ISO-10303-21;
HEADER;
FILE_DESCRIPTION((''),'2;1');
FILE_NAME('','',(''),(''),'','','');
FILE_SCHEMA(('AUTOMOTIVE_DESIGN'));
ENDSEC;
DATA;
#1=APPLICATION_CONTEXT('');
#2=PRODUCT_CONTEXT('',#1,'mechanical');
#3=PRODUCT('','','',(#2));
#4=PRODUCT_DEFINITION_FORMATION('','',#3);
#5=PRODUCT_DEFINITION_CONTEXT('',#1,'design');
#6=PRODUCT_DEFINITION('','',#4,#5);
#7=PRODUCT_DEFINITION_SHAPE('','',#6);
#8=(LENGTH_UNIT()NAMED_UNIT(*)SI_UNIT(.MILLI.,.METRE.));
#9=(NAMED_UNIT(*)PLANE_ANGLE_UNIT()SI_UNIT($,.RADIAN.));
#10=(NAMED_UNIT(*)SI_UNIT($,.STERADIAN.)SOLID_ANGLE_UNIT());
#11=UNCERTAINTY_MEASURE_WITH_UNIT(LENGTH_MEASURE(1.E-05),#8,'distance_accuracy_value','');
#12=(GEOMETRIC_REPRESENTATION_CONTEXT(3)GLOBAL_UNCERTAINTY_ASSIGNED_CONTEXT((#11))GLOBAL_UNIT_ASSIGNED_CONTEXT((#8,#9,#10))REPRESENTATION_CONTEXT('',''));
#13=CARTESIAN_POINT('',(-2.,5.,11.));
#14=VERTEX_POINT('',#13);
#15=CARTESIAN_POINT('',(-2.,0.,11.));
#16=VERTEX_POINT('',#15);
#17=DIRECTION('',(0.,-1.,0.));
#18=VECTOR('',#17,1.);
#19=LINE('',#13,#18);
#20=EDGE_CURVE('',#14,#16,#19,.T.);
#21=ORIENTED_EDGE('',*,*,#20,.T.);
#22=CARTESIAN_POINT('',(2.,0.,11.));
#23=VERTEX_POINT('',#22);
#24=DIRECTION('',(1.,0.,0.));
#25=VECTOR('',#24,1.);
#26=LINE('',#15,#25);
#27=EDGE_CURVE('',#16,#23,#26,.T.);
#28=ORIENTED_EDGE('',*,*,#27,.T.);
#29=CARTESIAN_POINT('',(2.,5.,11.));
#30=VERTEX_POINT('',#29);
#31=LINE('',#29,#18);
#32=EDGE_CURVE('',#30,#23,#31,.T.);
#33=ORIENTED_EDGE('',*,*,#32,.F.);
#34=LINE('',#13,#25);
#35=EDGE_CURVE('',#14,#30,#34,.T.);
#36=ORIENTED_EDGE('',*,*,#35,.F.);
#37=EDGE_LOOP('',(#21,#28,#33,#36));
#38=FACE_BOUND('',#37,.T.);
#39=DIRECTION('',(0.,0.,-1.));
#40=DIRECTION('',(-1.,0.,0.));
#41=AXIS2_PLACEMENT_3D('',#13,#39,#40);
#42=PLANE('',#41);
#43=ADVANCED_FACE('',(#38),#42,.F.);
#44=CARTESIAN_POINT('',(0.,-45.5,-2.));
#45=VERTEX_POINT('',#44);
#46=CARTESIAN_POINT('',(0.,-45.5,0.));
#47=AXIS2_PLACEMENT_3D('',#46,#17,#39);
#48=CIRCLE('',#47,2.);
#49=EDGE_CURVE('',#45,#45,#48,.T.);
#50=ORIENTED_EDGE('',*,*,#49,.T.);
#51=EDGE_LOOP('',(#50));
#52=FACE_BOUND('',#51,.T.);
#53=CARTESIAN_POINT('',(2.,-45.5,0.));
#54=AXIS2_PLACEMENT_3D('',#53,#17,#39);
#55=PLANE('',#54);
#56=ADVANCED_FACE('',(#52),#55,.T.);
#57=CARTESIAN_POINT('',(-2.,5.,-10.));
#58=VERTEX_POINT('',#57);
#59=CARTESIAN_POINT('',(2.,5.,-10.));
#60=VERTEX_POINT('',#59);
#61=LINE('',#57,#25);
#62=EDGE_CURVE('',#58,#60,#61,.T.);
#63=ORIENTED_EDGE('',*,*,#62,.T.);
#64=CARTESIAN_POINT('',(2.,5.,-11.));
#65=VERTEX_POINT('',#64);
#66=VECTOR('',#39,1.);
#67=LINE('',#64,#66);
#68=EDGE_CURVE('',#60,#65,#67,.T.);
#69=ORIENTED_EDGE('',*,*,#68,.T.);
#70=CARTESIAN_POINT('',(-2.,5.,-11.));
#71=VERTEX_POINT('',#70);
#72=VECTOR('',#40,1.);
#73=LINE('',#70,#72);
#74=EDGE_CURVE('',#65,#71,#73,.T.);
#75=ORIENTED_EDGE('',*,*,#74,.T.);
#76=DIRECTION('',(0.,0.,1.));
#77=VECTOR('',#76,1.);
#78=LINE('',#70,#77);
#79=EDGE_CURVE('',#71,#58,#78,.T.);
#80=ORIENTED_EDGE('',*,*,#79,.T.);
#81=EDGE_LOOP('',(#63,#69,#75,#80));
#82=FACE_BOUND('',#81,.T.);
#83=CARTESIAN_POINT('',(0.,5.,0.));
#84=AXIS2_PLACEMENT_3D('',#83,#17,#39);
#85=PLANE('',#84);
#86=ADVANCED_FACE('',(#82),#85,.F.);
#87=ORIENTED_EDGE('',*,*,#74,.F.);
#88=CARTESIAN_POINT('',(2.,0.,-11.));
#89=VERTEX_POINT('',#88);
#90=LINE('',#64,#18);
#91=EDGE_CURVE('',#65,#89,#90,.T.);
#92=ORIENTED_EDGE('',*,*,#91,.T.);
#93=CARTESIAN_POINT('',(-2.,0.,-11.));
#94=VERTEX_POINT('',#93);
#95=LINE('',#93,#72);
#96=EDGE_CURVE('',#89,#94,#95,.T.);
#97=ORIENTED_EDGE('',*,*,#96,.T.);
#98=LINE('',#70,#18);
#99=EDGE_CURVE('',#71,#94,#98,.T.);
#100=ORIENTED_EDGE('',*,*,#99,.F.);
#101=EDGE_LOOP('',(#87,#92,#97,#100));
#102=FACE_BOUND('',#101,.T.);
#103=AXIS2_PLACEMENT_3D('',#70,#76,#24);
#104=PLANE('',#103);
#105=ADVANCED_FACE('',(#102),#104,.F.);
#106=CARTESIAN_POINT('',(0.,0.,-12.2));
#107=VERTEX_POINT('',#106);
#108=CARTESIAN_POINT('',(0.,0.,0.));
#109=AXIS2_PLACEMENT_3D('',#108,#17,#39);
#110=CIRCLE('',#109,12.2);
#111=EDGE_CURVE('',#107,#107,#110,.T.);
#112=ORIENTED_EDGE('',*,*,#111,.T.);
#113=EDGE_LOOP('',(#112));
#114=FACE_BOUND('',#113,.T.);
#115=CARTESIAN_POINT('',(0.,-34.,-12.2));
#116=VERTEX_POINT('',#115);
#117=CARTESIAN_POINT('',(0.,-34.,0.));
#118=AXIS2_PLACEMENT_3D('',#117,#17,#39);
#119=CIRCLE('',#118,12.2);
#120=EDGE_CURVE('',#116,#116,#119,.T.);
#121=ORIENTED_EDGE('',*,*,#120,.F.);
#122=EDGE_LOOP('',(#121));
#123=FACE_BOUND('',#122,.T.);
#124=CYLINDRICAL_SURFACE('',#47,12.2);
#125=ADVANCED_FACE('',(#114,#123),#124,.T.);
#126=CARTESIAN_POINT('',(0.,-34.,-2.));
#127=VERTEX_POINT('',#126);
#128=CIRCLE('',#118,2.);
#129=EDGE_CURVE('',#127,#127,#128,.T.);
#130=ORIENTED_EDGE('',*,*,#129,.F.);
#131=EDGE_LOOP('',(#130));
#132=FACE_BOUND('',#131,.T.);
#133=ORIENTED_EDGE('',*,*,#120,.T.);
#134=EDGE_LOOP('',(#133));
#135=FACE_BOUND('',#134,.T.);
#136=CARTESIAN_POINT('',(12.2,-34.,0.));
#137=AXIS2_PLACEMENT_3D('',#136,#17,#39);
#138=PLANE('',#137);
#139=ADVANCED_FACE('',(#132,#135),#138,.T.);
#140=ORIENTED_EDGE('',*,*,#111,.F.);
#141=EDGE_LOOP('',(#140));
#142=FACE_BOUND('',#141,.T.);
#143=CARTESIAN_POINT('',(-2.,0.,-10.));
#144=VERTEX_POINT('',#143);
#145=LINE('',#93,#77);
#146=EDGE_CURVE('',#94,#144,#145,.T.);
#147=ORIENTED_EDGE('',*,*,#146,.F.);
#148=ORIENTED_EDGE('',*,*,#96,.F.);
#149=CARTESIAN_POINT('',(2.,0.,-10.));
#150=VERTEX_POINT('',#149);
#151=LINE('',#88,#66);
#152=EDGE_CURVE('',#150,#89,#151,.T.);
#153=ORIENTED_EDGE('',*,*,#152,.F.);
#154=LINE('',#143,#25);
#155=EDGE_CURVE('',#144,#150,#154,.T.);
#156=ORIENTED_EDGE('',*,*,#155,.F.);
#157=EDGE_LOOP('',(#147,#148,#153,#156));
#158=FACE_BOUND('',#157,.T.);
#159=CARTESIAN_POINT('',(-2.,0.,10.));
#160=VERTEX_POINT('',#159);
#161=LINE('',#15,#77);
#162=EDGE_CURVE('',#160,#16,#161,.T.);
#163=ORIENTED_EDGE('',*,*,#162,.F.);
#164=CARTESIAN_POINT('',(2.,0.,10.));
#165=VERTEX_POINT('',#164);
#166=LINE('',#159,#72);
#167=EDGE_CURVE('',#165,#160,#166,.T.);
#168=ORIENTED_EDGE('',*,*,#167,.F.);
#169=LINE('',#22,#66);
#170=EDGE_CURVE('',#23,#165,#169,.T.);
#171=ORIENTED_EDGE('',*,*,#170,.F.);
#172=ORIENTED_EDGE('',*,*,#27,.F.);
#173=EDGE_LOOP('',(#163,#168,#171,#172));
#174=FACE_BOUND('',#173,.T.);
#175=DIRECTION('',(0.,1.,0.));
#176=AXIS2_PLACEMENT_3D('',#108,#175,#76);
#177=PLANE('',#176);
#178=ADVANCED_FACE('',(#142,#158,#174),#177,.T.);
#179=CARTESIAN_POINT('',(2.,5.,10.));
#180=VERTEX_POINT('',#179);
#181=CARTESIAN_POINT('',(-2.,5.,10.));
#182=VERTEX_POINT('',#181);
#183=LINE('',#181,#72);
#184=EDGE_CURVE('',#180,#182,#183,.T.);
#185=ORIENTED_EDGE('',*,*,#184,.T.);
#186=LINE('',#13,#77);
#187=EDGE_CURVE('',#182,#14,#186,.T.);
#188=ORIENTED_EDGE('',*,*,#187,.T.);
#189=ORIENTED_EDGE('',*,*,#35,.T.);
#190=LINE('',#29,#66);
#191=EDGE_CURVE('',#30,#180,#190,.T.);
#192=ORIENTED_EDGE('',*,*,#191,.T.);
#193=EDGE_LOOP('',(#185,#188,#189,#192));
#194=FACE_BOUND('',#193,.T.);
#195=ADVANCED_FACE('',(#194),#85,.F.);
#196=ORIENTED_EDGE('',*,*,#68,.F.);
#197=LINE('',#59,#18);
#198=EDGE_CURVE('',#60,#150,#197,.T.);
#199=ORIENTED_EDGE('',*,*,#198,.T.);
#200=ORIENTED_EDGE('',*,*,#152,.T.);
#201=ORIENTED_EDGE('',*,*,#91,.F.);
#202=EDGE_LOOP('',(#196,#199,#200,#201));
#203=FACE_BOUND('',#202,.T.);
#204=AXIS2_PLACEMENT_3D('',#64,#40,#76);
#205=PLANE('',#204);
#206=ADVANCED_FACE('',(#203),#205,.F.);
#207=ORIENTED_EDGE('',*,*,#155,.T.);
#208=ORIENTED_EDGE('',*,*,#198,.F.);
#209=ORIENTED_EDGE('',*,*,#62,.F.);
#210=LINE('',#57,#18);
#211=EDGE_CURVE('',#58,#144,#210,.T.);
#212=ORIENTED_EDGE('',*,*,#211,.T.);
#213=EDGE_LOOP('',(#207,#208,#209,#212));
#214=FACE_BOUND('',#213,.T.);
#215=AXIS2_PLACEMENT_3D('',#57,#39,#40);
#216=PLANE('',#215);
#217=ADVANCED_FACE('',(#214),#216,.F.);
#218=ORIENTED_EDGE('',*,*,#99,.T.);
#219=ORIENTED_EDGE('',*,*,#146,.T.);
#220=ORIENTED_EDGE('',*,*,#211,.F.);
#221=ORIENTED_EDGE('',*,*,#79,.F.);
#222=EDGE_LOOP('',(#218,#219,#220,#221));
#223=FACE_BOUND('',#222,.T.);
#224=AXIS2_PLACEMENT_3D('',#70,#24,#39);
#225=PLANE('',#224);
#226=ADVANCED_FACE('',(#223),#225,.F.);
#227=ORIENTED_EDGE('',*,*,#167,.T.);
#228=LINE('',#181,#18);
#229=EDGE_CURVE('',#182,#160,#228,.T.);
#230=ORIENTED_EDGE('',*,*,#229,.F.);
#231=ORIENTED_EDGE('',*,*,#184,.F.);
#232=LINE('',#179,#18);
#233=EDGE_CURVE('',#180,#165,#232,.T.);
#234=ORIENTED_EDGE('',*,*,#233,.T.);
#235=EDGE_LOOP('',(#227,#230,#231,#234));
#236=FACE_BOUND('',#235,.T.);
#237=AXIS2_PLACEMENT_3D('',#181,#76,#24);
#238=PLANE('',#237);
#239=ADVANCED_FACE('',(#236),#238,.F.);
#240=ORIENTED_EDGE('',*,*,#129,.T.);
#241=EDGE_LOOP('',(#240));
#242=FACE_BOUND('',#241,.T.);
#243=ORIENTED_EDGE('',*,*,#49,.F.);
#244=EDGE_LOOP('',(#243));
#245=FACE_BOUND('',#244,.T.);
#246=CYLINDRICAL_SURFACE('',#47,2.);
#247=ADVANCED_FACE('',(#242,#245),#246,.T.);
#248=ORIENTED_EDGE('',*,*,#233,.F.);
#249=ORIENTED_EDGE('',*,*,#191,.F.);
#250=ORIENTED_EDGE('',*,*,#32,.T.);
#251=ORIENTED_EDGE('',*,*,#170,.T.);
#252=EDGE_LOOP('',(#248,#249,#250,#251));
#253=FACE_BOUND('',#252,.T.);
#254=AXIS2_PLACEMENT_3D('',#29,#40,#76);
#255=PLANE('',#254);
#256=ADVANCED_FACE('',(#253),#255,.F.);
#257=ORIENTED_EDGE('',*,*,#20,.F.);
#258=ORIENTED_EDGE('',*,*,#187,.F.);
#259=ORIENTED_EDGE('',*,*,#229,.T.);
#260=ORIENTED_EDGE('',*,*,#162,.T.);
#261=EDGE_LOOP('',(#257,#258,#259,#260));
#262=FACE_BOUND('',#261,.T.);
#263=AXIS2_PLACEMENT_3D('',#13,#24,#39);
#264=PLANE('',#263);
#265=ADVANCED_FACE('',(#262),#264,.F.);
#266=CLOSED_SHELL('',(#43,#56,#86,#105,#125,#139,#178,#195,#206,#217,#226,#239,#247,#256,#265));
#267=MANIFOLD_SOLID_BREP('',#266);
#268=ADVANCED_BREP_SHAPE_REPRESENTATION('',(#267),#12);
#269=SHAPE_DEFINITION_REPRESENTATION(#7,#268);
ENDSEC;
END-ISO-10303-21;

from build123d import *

# Parameters (mm, degrees)
SKETCH2_W           = 4
SKETCH2_H           = 1
BOSS_EXTRUDE1_DEPTH = 5


with BuildPart() as part:
    # Sketch1 → Revolve1 (revolve)
    with BuildSketch(Plane.XY, mode=Mode.PRIVATE) as revolve1_sk:
        Polygon((0, 0), (12.2, 0), (12.2, -34), (2, -34), (2, -45.5), (0, -45.5), align=None)
    revolve(revolve1_sk.sketch.rotate(Axis((0, -45.5, 0), (0, 1, 0)), 90), axis=Axis((0, -45.5, 0), (0, 1, 0)))

    # Sketch2 → Boss-Extrude1 (add)
    with BuildSketch(Plane(origin=(0, 0, 0), x_dir=(1, 0, 0), z_dir=(0, 1, 0))):
        with Locations((0, -10.5)):
            Rectangle(SKETCH2_W, SKETCH2_H)
        with Locations((0, 10.5)):
            Rectangle(SKETCH2_W, SKETCH2_H)
    extrude(amount=BOSS_EXTRUDE1_DEPTH)


solid = part.part
